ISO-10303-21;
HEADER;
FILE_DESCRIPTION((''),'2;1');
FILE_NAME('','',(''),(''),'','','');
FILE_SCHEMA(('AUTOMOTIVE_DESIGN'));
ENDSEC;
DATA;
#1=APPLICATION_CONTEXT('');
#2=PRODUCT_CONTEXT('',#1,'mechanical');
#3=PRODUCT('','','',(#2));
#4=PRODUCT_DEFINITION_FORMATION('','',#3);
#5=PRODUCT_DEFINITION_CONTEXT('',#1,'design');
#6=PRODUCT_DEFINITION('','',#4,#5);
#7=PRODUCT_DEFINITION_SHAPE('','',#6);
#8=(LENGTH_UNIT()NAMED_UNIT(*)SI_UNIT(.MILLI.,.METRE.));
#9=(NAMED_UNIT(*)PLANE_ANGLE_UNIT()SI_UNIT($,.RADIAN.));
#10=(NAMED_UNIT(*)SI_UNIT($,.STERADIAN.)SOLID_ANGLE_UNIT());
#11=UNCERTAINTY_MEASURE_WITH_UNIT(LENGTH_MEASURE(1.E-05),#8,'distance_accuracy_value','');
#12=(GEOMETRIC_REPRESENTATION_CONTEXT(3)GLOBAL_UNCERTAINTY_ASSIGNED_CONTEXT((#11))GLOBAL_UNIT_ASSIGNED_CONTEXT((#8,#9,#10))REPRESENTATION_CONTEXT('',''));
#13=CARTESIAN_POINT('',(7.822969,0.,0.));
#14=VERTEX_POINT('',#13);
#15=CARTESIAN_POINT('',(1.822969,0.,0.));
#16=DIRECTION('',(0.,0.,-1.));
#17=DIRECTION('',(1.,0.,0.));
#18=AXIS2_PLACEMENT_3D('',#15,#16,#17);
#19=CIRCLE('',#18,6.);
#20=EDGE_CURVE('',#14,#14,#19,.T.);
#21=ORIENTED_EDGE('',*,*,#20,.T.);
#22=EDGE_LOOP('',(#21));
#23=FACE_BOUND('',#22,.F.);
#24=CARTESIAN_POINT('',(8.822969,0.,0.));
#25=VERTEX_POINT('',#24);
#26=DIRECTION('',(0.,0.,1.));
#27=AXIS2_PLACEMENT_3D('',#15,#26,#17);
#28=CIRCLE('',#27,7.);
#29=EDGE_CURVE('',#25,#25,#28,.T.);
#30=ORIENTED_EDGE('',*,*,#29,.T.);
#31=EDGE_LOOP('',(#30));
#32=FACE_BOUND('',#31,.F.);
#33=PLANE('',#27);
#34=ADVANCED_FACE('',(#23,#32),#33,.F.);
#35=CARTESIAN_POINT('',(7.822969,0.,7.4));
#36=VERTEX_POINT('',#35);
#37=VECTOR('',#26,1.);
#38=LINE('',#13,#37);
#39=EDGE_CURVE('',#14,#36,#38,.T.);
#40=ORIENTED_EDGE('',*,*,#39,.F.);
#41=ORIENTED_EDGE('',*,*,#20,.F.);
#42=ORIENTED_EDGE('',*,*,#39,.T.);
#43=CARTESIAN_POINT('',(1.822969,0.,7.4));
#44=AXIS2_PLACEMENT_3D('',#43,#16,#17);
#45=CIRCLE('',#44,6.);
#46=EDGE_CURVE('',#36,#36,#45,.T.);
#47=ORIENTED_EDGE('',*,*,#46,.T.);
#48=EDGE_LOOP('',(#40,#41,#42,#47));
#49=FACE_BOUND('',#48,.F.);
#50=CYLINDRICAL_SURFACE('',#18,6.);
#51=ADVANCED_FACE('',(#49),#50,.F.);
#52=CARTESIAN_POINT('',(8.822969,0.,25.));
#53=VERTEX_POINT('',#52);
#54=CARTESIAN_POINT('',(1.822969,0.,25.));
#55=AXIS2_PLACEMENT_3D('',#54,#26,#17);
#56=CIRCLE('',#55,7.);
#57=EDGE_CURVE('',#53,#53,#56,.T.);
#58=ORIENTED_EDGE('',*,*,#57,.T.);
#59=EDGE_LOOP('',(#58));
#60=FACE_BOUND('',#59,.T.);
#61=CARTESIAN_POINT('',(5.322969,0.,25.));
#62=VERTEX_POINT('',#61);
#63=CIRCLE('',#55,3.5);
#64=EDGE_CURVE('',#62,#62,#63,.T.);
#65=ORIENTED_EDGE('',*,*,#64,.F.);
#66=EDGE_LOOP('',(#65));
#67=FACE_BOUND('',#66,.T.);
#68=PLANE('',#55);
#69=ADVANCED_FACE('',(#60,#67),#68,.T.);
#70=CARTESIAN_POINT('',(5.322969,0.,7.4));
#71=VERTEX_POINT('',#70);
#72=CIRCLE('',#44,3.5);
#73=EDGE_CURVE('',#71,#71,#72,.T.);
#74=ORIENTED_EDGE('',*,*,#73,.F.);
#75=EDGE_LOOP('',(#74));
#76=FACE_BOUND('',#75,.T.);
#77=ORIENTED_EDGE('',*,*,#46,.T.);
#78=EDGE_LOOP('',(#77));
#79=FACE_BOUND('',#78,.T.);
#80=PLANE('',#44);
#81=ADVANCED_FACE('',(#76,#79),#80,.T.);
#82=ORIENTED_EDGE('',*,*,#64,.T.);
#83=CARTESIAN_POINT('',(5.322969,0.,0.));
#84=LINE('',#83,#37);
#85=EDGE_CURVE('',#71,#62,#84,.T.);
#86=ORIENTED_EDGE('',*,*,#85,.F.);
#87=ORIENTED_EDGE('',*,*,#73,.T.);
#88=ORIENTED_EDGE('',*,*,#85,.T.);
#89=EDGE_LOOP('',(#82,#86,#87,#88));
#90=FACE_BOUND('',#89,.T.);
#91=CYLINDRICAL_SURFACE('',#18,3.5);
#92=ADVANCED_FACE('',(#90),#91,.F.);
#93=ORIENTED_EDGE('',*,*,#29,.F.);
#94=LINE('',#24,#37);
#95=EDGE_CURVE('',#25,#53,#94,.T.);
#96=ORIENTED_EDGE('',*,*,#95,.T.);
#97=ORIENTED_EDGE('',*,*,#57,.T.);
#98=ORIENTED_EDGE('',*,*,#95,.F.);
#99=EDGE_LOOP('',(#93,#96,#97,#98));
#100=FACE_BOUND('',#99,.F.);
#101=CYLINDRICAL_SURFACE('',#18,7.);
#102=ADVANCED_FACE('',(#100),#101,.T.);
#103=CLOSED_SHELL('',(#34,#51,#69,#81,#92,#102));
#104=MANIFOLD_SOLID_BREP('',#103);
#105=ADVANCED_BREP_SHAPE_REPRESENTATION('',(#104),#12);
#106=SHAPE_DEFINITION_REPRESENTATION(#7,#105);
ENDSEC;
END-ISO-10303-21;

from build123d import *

# Parameters (mm, degrees)
F0_R     = 7
F0_R_2   = 3.5
F1_DEPTH = 25
F2_R     = 6
F3_DEPTH = 7.4


with BuildPart() as f1:
    # F0 (on Top) → F1 (new body)
    with BuildSketch(Plane.XY):
        with Locations((1.822969, 0)):
            Circle(F0_R)
        with Locations((1.822969, 0)):
            Circle(F0_R_2, mode=Mode.SUBTRACT)
    extrude(amount=F1_DEPTH)

    # F2 (on face) → F3 (cut)
    with BuildSketch(Plane(origin=(0, 0, 0), x_dir=(1, 0, 0), z_dir=(0, 0, -1))):
        with Locations((1.822969, 0)):
            Circle(F2_R)
    extrude(amount=-F3_DEPTH, mode=Mode.SUBTRACT)


solid = f1.part
